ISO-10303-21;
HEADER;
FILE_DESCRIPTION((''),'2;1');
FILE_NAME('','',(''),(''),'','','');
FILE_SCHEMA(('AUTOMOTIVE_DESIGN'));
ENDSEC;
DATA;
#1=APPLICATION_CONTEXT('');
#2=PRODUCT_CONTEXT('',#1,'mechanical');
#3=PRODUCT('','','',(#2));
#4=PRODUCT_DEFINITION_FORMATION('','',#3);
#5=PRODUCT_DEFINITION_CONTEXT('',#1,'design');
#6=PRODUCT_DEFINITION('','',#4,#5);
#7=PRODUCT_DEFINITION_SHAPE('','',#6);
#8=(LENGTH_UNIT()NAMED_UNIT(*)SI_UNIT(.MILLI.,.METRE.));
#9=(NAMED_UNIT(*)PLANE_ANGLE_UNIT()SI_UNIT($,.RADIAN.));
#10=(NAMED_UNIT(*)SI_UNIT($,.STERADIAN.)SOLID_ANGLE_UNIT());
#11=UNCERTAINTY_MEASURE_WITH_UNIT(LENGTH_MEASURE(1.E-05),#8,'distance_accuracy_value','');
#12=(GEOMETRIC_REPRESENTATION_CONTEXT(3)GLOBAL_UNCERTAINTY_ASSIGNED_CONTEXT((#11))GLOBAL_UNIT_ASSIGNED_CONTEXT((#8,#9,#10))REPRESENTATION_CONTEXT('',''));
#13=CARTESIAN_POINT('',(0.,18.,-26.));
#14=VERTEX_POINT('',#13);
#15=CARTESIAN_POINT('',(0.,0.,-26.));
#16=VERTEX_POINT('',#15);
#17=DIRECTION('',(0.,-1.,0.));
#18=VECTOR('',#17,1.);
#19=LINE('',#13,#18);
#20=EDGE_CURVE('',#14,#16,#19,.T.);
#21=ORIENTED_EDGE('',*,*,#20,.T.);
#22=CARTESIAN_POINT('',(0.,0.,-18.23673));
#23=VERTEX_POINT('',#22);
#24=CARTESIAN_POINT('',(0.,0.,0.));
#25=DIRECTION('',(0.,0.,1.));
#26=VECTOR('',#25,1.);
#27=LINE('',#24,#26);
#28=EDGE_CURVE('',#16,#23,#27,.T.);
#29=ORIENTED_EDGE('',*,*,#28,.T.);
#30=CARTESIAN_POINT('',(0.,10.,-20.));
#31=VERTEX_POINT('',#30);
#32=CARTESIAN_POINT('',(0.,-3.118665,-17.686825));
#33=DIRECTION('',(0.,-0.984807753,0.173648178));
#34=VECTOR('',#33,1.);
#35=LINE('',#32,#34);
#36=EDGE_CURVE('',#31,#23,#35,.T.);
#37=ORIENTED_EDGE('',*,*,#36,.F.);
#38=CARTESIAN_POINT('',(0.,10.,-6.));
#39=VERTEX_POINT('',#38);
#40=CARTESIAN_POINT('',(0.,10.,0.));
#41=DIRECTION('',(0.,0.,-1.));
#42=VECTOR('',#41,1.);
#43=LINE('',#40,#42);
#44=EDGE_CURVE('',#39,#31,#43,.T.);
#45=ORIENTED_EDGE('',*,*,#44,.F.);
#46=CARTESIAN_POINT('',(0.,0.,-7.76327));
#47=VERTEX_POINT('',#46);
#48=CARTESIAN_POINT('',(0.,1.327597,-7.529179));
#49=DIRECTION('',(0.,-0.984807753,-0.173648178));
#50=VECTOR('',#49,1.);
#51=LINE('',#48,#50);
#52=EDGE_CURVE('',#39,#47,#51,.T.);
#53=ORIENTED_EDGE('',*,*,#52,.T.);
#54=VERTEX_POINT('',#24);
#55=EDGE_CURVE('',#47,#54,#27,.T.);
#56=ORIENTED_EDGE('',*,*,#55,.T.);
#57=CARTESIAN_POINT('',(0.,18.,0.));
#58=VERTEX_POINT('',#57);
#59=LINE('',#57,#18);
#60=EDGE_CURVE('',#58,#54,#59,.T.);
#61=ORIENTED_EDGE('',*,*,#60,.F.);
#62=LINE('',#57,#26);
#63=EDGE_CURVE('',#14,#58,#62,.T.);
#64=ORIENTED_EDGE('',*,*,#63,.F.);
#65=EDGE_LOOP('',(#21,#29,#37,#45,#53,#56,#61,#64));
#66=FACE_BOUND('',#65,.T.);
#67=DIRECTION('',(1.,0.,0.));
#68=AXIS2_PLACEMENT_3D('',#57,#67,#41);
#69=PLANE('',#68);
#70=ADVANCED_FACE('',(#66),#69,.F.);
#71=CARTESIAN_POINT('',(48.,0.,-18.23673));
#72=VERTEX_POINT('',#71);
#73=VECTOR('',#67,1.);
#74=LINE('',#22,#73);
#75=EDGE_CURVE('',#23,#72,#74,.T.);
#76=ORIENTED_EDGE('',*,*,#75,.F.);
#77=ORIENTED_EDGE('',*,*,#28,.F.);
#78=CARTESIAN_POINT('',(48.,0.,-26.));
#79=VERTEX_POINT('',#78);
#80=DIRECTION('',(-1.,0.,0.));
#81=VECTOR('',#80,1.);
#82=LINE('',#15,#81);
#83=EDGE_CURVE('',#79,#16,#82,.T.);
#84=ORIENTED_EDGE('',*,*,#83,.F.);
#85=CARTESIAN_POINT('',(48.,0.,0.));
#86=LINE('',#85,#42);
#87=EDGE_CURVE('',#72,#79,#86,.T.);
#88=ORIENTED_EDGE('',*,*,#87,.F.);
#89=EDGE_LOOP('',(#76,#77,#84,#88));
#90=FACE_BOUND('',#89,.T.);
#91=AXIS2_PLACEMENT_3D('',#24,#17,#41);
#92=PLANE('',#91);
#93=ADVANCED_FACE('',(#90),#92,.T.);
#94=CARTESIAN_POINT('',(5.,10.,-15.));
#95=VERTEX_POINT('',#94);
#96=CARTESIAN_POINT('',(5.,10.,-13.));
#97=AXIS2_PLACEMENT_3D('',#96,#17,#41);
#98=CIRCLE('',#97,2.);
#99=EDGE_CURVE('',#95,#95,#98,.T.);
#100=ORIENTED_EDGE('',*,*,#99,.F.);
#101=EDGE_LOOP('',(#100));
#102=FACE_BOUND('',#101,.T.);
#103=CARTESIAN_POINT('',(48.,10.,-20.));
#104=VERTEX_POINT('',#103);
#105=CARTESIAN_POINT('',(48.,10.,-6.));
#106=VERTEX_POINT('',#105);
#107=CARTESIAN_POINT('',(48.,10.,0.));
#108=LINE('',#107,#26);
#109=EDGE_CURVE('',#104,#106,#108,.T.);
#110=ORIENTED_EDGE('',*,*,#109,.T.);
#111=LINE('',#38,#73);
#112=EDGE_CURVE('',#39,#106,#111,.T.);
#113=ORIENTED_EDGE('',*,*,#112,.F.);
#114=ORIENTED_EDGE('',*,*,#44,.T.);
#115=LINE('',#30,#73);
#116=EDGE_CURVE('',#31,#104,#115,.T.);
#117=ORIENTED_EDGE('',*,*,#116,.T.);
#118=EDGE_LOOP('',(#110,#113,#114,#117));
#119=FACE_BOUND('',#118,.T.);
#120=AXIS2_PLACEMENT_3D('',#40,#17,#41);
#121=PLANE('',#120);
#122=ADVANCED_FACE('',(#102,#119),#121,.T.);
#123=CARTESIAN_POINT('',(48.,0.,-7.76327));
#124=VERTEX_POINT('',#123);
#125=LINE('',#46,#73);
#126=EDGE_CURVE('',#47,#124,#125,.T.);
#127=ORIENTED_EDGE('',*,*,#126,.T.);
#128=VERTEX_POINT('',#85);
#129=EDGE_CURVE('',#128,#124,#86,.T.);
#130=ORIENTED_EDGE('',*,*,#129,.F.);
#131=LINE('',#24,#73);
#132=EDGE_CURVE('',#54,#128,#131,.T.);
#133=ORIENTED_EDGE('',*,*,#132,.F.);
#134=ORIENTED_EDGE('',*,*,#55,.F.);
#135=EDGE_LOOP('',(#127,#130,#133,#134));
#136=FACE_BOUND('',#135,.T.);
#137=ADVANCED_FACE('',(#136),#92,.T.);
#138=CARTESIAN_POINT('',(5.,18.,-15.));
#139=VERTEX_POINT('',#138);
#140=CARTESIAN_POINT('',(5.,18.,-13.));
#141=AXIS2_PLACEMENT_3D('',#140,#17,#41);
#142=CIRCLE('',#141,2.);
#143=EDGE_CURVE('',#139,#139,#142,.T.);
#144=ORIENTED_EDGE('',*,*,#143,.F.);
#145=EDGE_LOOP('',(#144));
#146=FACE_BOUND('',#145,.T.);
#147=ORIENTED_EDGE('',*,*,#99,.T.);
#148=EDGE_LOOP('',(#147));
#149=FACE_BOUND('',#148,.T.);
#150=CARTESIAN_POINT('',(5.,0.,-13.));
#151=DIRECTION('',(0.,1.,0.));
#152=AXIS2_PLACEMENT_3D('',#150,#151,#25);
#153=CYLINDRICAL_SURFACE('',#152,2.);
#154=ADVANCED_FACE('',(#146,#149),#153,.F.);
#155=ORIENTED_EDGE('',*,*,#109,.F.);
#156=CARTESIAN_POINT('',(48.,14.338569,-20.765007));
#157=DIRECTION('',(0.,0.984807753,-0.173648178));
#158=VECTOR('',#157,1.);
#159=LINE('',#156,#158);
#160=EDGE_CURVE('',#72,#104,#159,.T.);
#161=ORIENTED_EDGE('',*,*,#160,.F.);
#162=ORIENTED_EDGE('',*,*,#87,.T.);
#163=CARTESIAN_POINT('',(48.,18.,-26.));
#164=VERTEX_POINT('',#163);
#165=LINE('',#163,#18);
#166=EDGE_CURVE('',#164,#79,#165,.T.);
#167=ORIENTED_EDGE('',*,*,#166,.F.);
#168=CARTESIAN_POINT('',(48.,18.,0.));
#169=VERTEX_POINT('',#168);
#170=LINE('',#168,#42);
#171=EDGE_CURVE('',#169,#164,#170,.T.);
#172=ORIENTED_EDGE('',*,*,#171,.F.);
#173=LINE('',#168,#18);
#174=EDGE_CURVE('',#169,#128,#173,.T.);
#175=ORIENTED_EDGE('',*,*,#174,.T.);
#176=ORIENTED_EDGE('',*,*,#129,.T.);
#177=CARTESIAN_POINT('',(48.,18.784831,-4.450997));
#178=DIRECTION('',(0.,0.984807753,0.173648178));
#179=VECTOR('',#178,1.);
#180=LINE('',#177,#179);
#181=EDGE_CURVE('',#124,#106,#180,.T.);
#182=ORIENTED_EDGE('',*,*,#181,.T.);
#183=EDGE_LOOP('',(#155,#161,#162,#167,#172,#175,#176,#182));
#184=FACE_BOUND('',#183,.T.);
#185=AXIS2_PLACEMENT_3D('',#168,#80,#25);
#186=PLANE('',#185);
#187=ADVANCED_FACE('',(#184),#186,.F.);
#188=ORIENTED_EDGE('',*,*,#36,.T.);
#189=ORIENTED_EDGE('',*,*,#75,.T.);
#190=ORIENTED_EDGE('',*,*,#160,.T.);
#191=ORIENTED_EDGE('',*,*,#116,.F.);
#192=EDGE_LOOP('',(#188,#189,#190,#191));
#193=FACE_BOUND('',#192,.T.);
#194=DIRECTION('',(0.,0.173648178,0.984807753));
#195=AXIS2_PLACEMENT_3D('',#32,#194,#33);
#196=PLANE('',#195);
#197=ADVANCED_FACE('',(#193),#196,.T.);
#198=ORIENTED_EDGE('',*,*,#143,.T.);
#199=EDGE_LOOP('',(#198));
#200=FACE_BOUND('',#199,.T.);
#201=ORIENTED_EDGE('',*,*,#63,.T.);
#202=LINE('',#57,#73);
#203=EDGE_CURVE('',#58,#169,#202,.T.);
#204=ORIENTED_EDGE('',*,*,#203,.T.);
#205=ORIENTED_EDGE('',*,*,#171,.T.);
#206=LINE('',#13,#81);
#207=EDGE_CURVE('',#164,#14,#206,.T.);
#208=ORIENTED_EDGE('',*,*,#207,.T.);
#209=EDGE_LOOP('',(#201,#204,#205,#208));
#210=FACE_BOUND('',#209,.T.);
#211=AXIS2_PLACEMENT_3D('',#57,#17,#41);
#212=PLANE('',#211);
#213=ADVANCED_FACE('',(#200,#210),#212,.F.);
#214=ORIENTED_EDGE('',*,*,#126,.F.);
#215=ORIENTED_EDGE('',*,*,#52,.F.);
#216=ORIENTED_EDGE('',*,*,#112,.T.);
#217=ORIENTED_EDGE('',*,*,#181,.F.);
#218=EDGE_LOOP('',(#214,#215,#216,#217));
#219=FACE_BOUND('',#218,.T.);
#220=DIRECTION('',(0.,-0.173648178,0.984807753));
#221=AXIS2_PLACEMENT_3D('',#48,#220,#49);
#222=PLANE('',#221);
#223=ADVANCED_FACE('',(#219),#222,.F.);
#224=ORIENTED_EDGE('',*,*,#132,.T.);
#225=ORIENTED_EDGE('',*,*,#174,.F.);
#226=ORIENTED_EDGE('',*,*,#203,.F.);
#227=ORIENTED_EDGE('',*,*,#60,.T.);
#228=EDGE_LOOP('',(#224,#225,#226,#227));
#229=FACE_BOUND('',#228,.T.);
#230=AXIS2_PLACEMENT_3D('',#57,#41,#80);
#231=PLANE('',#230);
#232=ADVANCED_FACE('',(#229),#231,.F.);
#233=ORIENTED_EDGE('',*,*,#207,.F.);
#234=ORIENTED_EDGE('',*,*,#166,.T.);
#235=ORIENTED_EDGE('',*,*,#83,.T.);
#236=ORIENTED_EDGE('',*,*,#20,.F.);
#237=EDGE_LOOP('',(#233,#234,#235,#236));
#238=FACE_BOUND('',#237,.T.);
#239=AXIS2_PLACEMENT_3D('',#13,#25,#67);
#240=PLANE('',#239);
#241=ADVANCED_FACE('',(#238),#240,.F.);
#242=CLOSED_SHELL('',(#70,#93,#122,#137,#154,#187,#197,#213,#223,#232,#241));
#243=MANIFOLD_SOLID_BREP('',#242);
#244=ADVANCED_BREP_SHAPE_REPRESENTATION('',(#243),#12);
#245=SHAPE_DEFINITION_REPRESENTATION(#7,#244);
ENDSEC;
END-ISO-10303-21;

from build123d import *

# Parameters (mm, degrees)
SKETCH1_W               = 48
SKETCH1_H               = 26
BOSS_EXTRUDE1_DEPTH     = 18
CUT_EXTRUDE1_DEPTH      = 1
CUT_EXTRUDE1_DEPTH_BACK = 49
SKETCH3_R               = 2
CUT_EXTRUDE2_DEPTH      = 1
CUT_EXTRUDE2_DEPTH_BACK = 19


with BuildPart() as part:
    # Sketch1 → Boss-Extrude1 (new body)
    with BuildSketch(Plane(origin=(0, 0, 0), x_dir=(1, 0, 0), z_dir=(0, 1, 0))):
        with Locations((24, 13)):
            Rectangle(SKETCH1_W, SKETCH1_H)
    extrude(amount=BOSS_EXTRUDE1_DEPTH)

    # Sketch2 → Cut-Extrude1 (cut, two sides)
    with BuildSketch(Plane(origin=(48, 0, 0), x_dir=(0, 0, -1), z_dir=(1, 0, 0))) as cut_extrude1_sk:
        Polygon((6, 10), (20, 10), (18.236730193, 0), (7.763269807, 0), align=None)
    extrude(amount=CUT_EXTRUDE1_DEPTH, mode=Mode.SUBTRACT)
    extrude(cut_extrude1_sk.sketch, amount=-CUT_EXTRUDE1_DEPTH_BACK, mode=Mode.SUBTRACT)

    # Sketch3 → Cut-Extrude2 (cut, two sides)
    with BuildSketch(Plane(origin=(0, 18, 0), x_dir=(1, 0, 0), z_dir=(0, 1, 0))) as cut_extrude2_sk:
        with Locations((5, 13)):
            Circle(SKETCH3_R)
    extrude(amount=CUT_EXTRUDE2_DEPTH, mode=Mode.SUBTRACT)
    extrude(cut_extrude2_sk.sketch, amount=-CUT_EXTRUDE2_DEPTH_BACK, mode=Mode.SUBTRACT)


solid = part.part
